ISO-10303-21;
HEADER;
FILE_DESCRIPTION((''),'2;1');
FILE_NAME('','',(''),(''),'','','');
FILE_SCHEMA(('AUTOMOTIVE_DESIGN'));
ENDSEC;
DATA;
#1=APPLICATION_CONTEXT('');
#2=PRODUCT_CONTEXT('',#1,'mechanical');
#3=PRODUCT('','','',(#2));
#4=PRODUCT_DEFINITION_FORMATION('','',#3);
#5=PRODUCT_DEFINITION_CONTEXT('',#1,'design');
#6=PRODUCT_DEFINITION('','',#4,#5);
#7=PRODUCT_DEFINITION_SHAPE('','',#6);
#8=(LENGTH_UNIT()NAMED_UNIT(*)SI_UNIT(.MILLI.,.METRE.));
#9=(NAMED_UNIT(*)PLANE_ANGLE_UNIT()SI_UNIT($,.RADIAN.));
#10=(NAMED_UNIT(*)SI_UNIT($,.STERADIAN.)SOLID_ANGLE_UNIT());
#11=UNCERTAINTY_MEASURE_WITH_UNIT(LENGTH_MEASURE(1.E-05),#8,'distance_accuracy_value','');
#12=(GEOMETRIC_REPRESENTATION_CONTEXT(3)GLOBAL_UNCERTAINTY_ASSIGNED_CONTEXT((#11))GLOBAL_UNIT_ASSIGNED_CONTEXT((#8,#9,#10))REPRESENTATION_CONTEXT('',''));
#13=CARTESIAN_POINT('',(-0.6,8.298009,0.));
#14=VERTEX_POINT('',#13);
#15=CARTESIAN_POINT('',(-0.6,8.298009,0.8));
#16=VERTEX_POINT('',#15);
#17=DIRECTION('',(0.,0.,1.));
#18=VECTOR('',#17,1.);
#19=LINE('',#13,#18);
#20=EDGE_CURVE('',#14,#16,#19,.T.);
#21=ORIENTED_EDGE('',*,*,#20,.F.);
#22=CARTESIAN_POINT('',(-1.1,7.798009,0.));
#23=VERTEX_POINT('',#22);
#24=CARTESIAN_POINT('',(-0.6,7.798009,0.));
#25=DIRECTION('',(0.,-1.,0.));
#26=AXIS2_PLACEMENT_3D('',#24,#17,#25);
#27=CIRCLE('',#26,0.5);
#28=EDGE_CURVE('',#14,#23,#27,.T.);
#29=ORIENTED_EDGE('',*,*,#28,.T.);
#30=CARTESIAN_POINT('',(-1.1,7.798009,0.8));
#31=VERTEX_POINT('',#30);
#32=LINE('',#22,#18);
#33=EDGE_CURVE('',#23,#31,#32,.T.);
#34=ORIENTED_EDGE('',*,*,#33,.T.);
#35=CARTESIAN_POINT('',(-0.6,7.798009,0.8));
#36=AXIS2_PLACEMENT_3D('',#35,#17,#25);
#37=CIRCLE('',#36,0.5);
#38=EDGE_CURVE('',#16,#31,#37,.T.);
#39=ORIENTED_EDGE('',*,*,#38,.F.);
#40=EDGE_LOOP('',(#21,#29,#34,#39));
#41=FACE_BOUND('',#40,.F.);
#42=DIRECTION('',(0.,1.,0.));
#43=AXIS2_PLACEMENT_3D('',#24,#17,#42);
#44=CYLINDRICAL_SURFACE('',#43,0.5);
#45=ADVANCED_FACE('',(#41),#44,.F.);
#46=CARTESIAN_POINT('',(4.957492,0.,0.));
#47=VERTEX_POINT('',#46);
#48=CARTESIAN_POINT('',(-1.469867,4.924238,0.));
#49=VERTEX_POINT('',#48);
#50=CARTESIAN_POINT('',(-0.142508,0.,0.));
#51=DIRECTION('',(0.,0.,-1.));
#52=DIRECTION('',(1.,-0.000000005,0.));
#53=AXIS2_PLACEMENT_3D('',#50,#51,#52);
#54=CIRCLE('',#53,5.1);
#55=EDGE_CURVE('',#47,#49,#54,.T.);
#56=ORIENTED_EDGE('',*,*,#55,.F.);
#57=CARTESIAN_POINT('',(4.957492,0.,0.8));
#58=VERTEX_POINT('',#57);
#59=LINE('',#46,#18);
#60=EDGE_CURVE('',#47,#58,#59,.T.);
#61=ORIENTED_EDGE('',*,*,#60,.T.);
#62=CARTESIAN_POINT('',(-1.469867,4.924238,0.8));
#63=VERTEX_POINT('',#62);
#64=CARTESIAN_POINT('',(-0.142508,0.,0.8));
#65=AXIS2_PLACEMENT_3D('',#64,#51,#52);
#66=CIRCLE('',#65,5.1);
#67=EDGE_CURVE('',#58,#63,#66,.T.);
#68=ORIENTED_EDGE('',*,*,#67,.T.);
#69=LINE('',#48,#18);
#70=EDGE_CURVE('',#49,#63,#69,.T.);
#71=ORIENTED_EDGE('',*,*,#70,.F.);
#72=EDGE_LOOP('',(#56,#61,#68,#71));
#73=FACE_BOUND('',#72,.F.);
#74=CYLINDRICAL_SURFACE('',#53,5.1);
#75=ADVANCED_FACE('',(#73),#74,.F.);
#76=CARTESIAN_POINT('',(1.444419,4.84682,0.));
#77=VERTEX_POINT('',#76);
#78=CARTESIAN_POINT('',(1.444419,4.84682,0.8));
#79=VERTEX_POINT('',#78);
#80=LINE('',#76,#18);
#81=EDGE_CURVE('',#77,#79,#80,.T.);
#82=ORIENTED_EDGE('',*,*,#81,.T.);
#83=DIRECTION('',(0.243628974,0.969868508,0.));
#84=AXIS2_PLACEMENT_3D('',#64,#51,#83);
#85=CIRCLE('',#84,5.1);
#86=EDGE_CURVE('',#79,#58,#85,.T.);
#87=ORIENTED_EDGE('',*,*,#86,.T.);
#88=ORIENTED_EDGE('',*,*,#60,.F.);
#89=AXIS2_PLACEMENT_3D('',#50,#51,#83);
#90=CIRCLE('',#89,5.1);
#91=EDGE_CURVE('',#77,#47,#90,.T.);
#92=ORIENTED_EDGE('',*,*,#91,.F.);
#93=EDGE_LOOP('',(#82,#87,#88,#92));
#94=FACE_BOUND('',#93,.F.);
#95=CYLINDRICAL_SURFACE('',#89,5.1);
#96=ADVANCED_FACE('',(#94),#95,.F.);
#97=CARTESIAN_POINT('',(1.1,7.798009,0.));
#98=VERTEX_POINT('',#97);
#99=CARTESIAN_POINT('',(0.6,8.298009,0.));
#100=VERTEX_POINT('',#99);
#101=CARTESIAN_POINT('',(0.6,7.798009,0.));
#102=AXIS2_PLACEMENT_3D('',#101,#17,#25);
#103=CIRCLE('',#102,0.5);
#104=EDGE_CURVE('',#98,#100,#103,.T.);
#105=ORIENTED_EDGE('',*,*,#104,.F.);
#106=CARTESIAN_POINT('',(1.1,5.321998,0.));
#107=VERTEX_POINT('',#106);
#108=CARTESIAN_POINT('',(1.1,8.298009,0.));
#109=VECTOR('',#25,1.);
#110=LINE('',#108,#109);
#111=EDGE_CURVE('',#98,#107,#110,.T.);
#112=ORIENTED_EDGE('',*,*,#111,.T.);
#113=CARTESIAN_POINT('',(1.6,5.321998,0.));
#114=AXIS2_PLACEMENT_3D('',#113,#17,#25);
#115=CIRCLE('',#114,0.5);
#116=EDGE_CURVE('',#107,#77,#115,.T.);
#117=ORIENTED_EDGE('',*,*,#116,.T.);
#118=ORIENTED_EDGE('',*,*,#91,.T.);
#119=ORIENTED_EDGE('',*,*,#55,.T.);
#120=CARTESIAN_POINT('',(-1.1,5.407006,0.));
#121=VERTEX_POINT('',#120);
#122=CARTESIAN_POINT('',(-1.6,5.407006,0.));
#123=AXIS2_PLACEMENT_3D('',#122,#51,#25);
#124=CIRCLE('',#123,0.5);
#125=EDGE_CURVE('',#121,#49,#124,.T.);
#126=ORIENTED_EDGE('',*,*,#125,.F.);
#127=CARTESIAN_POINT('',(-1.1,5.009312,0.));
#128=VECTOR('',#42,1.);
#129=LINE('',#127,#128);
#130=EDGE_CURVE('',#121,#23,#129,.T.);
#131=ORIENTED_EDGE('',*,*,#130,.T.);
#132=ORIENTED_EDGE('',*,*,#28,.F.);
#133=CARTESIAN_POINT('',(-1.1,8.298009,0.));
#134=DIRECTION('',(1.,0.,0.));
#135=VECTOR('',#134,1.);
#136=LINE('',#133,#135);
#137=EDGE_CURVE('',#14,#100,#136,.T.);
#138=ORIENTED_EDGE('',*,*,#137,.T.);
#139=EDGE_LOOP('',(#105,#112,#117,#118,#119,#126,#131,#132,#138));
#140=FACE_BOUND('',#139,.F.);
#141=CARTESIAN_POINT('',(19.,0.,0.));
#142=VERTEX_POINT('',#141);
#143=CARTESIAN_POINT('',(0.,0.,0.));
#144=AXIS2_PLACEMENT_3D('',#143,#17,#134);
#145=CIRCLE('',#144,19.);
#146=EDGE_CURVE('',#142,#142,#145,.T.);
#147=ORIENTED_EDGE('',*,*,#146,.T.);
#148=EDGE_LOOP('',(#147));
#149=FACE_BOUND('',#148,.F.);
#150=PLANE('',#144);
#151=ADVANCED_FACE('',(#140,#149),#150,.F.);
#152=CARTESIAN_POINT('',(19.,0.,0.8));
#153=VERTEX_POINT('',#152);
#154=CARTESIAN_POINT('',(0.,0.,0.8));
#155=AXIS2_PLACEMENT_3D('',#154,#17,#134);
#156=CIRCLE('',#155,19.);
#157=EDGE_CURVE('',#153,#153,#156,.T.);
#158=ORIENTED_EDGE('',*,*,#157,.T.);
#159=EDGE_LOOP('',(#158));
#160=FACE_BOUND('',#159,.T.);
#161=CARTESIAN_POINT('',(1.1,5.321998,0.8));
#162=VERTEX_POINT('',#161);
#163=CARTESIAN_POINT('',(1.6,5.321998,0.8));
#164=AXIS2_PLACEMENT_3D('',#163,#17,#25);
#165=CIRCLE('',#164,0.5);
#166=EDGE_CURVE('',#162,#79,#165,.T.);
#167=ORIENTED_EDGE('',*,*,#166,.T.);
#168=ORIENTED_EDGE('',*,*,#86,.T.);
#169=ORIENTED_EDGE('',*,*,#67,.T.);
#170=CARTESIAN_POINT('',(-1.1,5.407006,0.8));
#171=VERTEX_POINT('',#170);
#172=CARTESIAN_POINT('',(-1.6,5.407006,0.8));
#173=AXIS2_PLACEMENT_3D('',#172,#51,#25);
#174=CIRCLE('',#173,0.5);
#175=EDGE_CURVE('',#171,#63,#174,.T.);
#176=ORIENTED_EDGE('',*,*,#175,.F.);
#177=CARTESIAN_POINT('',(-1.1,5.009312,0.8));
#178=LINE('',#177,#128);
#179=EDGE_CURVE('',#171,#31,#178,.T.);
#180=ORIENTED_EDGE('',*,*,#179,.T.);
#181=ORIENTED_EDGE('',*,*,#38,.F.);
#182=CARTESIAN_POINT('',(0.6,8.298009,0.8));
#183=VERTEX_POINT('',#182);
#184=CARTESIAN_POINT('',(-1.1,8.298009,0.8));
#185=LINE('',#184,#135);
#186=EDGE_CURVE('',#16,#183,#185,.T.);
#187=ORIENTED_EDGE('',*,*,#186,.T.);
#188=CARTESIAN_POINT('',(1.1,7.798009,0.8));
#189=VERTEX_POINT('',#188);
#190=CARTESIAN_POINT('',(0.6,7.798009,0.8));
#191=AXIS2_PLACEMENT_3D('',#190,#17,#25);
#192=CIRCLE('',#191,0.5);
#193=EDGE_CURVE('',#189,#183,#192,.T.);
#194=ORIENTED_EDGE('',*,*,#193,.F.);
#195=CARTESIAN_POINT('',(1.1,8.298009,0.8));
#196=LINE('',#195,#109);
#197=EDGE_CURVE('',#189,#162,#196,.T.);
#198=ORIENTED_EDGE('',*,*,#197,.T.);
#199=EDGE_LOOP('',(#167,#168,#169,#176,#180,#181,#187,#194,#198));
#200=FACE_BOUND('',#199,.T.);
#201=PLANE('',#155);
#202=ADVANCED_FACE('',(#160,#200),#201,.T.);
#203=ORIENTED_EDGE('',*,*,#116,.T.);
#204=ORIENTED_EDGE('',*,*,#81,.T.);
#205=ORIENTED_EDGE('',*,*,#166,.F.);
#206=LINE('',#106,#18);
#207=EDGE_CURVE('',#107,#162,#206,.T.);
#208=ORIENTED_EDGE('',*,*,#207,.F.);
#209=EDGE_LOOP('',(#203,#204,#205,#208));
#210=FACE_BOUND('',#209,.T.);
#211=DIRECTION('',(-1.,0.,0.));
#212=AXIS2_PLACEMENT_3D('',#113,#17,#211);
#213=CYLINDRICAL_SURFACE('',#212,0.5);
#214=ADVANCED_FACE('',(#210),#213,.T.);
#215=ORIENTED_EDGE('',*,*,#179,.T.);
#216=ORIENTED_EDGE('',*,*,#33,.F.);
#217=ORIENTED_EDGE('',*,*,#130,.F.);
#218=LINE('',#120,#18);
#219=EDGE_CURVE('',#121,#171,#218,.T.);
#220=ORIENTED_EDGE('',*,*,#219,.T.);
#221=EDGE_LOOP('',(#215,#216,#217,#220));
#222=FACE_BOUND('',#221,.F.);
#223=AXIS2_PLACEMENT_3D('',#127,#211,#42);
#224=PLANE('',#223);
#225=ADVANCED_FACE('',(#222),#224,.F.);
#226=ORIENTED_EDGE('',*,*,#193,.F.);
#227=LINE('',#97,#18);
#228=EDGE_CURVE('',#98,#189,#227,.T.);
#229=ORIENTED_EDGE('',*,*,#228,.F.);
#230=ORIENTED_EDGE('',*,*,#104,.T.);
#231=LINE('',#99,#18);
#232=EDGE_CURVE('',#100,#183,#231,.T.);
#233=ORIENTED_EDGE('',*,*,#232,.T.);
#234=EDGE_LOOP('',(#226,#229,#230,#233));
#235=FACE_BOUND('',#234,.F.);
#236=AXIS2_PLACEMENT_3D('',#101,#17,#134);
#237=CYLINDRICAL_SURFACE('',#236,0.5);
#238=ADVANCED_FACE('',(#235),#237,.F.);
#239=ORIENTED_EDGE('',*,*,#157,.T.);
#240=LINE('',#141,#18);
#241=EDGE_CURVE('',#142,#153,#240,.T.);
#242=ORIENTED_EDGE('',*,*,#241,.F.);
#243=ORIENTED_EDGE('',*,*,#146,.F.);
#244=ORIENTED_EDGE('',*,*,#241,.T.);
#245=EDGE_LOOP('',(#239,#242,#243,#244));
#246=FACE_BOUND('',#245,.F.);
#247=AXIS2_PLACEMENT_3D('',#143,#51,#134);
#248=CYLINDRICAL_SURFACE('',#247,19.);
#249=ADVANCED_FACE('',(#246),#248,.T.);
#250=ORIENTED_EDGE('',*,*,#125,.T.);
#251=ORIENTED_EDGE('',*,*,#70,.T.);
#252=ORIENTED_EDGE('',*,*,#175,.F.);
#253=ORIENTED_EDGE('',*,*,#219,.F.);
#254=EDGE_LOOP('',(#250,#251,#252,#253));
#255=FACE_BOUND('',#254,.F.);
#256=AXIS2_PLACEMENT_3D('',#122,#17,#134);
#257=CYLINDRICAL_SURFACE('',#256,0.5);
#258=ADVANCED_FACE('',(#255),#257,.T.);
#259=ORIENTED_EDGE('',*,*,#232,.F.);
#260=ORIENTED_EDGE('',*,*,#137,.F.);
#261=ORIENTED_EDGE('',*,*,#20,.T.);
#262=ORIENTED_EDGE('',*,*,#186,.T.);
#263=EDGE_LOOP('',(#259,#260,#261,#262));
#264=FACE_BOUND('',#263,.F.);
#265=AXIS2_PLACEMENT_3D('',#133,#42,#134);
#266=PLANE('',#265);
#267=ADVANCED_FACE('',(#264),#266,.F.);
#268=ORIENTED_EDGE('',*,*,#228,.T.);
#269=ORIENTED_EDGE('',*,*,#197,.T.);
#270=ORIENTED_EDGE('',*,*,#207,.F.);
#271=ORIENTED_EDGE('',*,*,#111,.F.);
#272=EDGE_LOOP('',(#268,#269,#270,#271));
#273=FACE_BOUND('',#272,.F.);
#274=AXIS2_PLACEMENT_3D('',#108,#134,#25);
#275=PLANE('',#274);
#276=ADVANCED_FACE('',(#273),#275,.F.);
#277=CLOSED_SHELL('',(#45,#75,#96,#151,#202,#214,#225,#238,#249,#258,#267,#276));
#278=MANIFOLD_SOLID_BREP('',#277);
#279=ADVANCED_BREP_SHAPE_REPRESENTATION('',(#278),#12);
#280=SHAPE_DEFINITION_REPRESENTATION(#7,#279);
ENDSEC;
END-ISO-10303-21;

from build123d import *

# Parameters (mm, degrees)
F0_R     = 19
F1_DEPTH = 0.8
F2_R     = 0.5


with BuildPart() as f1:
    # F0 (on Top) → F1 (new body)
    with BuildSketch(Plane.XY):
        Circle(F0_R)
        with BuildLine():
            ThreePointArc((1.1, 4.946329), (3.879108, 3.136336), (4.957492, 0))
            ThreePointArc((4.957492, 0), (-3.392645, -3.930217), (-1.1, 5.009312))
            Line((-1.1, 5.009312), (-1.1, 8.298009))
            Line((-1.1, 8.298009), (1.1, 8.298009))
            Line((1.1, 8.298009), (1.1, 4.946329))
        make_face(mode=Mode.SUBTRACT)
    extrude(amount=F1_DEPTH)

    # F2
    f2_edges = [f1.edges().sort_by_distance(p)[0] for p in [
        (1.1, 4.946329, 0.4),
        (1.1, 8.298009, 0.4),
        (-1.1, 8.298009, 0.4),
        (-1.1, 5.009312, 0.4),
    ]]
    fillet(f2_edges, radius=F2_R)


solid = f1.part
